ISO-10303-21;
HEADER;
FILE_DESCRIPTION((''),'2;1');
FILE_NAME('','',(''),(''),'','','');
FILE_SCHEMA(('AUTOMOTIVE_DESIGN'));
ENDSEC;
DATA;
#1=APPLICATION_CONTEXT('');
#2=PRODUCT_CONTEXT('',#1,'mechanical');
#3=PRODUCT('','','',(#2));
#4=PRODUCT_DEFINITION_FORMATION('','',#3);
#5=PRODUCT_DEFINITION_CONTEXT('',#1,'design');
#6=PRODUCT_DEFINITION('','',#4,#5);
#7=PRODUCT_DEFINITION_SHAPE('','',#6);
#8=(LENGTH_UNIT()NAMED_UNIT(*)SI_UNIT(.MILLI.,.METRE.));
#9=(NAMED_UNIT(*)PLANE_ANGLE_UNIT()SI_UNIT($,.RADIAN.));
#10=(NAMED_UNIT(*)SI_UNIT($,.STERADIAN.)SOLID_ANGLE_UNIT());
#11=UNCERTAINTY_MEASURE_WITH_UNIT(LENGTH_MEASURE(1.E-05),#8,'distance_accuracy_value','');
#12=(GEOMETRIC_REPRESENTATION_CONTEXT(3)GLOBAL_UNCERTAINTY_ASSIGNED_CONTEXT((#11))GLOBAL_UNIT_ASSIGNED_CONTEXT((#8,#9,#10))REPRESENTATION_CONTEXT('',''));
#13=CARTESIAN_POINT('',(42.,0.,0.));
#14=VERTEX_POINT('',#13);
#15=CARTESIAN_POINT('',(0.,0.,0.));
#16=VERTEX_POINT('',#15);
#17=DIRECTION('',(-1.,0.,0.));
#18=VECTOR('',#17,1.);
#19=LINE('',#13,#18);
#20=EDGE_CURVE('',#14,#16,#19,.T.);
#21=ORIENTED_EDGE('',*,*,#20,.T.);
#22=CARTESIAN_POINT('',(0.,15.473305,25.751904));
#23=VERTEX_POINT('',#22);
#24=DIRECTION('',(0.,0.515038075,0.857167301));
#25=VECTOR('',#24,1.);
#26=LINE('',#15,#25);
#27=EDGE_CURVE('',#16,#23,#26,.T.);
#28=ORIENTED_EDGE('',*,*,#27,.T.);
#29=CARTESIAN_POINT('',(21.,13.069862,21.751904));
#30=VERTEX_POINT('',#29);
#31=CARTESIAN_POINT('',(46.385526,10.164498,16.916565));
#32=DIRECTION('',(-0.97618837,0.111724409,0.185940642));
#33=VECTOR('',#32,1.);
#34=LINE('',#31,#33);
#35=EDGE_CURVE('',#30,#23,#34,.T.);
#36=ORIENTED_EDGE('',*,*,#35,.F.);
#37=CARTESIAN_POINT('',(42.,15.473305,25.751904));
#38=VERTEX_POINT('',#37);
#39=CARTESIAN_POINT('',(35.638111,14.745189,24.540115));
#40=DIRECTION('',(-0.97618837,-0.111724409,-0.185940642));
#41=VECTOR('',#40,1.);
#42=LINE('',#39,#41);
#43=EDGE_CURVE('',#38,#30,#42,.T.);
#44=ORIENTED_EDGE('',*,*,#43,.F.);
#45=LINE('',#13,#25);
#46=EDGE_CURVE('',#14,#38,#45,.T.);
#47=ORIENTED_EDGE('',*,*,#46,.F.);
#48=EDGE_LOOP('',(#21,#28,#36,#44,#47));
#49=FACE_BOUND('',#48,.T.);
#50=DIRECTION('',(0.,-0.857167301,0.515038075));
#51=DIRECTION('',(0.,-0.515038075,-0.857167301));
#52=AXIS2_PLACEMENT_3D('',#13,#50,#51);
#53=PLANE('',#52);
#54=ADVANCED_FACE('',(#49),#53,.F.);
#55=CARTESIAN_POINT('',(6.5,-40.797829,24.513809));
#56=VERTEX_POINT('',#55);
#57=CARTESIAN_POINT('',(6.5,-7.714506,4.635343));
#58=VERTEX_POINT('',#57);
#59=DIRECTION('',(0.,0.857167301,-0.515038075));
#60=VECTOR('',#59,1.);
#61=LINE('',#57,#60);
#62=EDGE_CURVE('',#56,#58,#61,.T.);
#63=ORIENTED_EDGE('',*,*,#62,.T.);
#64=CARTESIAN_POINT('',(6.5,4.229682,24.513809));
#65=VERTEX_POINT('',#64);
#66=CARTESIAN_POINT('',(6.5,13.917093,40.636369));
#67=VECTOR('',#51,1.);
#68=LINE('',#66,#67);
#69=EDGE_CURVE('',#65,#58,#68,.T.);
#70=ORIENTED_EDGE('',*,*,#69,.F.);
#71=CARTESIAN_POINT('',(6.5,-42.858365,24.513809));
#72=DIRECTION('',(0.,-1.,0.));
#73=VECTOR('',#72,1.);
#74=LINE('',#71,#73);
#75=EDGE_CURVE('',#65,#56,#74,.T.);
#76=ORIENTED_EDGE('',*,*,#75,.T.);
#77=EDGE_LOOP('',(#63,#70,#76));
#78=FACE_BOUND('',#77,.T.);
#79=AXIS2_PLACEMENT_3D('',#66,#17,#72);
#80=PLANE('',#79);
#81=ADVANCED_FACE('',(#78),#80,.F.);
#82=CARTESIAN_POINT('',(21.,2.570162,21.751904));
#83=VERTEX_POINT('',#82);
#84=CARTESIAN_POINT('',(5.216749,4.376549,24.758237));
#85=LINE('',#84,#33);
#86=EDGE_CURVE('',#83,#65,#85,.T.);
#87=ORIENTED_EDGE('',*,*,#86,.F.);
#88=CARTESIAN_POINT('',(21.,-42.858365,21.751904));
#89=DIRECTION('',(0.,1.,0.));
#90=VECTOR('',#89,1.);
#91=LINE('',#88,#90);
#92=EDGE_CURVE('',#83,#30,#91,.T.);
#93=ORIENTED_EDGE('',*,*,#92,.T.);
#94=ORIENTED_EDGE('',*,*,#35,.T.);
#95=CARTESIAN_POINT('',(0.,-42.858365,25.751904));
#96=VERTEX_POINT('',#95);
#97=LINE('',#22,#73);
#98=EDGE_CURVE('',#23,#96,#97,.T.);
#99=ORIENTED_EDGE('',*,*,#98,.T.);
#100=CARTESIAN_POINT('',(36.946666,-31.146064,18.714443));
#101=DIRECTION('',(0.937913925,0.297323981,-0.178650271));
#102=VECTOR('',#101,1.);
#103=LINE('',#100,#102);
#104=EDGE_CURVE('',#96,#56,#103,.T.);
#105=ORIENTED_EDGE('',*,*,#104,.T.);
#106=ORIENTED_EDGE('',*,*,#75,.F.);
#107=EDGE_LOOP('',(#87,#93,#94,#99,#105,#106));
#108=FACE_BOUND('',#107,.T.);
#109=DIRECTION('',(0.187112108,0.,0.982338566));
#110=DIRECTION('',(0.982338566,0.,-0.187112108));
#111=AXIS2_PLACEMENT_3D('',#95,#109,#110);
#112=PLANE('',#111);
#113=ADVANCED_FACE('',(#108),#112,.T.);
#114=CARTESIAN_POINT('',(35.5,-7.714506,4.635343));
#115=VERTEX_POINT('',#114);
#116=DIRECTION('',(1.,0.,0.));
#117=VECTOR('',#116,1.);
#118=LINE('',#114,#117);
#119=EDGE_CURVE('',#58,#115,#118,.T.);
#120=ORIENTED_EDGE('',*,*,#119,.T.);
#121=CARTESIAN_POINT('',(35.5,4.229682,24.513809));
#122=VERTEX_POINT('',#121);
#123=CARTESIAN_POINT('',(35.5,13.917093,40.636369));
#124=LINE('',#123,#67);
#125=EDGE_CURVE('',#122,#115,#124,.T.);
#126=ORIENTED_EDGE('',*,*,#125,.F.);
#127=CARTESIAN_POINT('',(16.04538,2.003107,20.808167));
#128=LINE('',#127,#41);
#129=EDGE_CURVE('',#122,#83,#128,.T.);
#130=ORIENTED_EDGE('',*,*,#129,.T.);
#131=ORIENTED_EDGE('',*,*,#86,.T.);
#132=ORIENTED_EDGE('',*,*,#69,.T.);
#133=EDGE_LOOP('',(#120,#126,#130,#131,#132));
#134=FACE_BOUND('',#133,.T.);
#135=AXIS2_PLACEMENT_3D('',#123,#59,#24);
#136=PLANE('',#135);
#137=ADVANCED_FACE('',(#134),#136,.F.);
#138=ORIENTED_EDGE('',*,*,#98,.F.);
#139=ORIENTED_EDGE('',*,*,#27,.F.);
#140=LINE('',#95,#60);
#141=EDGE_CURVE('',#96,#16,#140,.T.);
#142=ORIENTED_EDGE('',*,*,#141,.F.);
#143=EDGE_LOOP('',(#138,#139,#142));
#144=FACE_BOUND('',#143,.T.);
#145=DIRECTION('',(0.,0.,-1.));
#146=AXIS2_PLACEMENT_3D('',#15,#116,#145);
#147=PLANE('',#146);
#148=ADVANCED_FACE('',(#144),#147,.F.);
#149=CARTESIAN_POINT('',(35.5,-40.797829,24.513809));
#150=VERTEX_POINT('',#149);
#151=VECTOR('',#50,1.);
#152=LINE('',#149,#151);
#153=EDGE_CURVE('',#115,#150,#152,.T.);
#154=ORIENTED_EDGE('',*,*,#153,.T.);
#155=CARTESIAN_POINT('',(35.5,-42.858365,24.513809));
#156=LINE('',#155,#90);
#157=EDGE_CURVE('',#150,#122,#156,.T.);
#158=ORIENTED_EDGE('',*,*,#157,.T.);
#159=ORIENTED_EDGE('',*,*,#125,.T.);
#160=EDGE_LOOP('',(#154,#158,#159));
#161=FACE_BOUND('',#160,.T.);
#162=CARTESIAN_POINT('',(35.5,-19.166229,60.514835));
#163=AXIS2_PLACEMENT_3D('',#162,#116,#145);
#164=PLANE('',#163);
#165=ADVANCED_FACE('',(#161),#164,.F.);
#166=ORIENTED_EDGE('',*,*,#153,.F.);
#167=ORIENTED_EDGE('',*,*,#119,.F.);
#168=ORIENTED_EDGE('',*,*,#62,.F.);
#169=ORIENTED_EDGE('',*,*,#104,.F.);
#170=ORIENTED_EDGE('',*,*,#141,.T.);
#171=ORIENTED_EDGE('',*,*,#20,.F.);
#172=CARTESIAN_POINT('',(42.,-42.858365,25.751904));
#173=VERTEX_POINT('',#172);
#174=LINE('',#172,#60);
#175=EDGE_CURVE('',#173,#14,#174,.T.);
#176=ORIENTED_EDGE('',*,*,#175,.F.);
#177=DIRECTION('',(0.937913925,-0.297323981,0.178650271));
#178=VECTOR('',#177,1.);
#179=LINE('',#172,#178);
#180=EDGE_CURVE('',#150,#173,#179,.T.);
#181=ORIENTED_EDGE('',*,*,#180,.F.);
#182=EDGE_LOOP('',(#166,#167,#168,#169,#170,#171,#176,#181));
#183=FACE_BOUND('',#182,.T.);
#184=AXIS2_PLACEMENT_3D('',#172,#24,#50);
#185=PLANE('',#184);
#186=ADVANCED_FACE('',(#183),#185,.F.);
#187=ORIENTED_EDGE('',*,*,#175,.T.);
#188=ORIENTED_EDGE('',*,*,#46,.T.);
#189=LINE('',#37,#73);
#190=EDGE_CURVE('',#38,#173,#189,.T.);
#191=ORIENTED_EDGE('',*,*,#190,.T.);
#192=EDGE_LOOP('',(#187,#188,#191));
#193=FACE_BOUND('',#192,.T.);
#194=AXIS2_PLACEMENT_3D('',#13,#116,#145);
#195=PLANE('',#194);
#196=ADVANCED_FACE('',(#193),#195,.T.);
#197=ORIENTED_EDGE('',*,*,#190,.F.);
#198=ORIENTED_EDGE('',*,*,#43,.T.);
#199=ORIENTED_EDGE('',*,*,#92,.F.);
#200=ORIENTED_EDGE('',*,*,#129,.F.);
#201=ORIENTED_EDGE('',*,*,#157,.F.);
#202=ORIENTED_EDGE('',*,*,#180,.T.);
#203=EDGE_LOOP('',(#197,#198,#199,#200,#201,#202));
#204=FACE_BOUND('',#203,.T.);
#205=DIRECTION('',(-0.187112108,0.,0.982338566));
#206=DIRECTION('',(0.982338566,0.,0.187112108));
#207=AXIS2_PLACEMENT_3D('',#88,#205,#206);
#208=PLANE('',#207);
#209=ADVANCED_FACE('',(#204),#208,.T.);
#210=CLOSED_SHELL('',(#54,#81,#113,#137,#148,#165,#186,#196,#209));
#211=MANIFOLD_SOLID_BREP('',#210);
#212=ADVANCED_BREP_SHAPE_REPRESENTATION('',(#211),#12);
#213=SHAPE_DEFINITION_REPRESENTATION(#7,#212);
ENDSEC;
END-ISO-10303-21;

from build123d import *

# Parameters (mm, degrees)
EXTRUDE_1_DEPTH     = 42
CUT_EXTRUDE_3_DEPTH = 77.352761936
SKETCH_4_W          = 29
SKETCH_4_H          = 38.596109301
CUT_EXTRUDE_4_DEPTH = 42


with BuildPart() as part:
    # Эскиз1 → Бобышка-Вытянуть1 (new body)
    with BuildSketch(Plane(origin=(0, 0, 0), x_dir=(0, 0, -1), z_dir=(1, 0, 0))):
        Polygon((0, 0), (-25.751903746, 15.473304826), (-25.751903746, -42.858365035), align=None)
    extrude(amount=EXTRUDE_1_DEPTH)

    # Эскиз3 → Вырез-Вытянуть3 (cut, through all)
    with BuildSketch(Plane(origin=(0, 15.473304826, 0), x_dir=(1, 0, 0), z_dir=(0, 1, 0))):
        Polygon((0, -25.751903746), (21, -21.751903746), (42, -25.751903746), align=None)
    extrude(amount=-CUT_EXTRUDE_3_DEPTH, mode=Mode.SUBTRACT)

    # Эскиз4 → Вырез-Вытянуть4 (cut)
    with BuildSketch(Plane(origin=(0, 0, 0), x_dir=(-1, 0, 0), z_dir=(0, -0.5150380749100486, -0.8571673007021157))):
        with Locations((-21, -28.298054651)):
            Rectangle(SKETCH_4_W, SKETCH_4_H)
    extrude(amount=-CUT_EXTRUDE_4_DEPTH, mode=Mode.SUBTRACT)


solid = part.part
